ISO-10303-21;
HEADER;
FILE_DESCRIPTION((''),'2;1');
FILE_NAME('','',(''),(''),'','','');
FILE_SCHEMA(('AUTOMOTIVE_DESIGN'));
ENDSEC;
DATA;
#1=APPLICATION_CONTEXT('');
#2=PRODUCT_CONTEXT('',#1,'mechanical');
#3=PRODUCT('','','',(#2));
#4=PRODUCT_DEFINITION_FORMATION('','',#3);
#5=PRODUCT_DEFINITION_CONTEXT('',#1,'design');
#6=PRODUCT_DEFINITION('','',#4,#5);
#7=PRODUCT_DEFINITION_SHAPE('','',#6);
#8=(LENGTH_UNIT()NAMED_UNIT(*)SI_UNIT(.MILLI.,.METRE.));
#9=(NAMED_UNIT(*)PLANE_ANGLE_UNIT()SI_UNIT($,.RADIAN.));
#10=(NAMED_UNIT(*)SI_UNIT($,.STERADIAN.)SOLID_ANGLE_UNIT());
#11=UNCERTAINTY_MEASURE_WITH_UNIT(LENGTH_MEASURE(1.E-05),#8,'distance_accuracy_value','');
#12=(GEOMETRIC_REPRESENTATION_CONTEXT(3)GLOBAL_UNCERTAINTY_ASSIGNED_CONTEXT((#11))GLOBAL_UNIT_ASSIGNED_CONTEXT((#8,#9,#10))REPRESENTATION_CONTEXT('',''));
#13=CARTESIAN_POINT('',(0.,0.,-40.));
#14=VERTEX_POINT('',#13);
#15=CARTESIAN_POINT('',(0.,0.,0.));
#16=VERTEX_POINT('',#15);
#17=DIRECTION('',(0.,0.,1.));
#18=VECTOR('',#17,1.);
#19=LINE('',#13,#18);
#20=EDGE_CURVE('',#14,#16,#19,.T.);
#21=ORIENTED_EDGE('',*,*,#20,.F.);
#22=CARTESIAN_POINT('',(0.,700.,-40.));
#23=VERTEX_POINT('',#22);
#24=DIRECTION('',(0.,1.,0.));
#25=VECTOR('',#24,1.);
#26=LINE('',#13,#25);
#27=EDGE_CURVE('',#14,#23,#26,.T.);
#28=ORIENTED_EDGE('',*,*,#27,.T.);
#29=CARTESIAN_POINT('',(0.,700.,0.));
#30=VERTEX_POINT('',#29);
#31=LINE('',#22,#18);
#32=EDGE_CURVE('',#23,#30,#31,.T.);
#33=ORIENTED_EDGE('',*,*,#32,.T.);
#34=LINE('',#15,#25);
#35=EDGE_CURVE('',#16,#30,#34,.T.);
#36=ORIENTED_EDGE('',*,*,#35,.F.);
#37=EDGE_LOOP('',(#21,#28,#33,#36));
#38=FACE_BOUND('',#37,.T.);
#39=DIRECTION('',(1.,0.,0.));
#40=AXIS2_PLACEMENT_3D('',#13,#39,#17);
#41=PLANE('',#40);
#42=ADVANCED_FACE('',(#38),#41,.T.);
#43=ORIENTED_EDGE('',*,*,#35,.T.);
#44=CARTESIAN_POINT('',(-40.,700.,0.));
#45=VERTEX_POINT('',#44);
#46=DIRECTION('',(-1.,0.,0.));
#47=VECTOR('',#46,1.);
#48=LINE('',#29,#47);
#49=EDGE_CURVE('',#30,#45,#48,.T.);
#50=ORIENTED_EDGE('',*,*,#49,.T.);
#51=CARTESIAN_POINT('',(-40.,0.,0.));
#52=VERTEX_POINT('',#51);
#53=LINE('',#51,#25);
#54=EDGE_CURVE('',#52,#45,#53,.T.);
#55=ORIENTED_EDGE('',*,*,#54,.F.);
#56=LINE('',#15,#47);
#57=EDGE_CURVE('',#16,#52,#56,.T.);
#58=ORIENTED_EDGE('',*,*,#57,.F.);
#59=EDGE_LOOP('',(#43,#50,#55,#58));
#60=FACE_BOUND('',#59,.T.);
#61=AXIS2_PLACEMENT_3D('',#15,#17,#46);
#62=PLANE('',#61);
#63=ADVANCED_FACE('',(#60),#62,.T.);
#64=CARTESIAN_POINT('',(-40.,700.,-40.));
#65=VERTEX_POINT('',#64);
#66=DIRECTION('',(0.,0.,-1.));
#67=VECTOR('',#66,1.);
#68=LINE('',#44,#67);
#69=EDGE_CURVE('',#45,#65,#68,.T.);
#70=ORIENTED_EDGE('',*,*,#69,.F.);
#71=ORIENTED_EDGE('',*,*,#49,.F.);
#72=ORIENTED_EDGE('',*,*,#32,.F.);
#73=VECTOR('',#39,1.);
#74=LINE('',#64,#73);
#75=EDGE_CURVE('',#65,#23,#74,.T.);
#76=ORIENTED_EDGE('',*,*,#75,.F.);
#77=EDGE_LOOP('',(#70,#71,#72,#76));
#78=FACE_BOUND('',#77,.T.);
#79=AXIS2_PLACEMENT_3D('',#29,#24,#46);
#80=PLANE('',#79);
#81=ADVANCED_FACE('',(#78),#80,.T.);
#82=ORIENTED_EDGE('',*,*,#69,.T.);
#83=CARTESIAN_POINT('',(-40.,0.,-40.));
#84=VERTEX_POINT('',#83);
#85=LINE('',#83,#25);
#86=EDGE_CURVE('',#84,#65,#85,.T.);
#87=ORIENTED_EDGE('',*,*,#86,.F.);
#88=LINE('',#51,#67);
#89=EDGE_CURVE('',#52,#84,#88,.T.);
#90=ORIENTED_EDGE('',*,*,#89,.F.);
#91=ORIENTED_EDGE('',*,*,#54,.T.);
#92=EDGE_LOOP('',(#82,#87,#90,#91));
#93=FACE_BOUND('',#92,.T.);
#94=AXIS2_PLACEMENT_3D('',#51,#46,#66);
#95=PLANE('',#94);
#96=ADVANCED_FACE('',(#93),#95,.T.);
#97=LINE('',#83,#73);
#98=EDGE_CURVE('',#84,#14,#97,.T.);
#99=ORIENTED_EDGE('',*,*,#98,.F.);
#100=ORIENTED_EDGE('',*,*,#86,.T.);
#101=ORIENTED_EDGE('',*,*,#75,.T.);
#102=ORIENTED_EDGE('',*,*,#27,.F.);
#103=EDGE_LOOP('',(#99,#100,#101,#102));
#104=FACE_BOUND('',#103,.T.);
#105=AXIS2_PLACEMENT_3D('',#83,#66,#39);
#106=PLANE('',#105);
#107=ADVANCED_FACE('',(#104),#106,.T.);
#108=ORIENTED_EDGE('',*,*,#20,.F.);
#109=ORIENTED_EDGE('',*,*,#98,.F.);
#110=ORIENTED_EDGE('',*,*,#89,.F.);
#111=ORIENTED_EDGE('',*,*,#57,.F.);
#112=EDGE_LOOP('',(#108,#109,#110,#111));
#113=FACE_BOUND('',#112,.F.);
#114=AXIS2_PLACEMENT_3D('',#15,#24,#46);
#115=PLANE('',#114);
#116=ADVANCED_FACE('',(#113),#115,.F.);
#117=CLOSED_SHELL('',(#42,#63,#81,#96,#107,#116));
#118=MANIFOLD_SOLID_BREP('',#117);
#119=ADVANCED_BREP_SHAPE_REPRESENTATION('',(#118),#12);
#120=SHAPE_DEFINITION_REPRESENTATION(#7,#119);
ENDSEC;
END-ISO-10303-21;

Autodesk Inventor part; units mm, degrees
ref_plane "YZ Plane" through (0, 0, 0) normal (1, 0, 0) x (0, 1, 0)
ref_plane "XZ Plane" through (0, 0, 0) normal (0, 1, 0) x (-1, 0, 0)
ref_plane "XY Plane" through (0, 0, 0) normal (0, 0, 1) x (1, 0, 0)
sketch "Sketch1" plane through (0, 0, 0) normal (0, 1, 0) x (-1, 0, 0)
  line L0 (0, 0) -> (40, 0)
  line L1 (40, 0) -> (40, -40)
  line L2 (40, -40) -> (0, -40)
  line L3 (0, -40) -> (0, 0)
  dimension "d0" = 40
  dimension "d1" = 40
extrude "Extrusion1" add sketch "Sketch1" along normal blind 700
properties part number "TableLeg"
